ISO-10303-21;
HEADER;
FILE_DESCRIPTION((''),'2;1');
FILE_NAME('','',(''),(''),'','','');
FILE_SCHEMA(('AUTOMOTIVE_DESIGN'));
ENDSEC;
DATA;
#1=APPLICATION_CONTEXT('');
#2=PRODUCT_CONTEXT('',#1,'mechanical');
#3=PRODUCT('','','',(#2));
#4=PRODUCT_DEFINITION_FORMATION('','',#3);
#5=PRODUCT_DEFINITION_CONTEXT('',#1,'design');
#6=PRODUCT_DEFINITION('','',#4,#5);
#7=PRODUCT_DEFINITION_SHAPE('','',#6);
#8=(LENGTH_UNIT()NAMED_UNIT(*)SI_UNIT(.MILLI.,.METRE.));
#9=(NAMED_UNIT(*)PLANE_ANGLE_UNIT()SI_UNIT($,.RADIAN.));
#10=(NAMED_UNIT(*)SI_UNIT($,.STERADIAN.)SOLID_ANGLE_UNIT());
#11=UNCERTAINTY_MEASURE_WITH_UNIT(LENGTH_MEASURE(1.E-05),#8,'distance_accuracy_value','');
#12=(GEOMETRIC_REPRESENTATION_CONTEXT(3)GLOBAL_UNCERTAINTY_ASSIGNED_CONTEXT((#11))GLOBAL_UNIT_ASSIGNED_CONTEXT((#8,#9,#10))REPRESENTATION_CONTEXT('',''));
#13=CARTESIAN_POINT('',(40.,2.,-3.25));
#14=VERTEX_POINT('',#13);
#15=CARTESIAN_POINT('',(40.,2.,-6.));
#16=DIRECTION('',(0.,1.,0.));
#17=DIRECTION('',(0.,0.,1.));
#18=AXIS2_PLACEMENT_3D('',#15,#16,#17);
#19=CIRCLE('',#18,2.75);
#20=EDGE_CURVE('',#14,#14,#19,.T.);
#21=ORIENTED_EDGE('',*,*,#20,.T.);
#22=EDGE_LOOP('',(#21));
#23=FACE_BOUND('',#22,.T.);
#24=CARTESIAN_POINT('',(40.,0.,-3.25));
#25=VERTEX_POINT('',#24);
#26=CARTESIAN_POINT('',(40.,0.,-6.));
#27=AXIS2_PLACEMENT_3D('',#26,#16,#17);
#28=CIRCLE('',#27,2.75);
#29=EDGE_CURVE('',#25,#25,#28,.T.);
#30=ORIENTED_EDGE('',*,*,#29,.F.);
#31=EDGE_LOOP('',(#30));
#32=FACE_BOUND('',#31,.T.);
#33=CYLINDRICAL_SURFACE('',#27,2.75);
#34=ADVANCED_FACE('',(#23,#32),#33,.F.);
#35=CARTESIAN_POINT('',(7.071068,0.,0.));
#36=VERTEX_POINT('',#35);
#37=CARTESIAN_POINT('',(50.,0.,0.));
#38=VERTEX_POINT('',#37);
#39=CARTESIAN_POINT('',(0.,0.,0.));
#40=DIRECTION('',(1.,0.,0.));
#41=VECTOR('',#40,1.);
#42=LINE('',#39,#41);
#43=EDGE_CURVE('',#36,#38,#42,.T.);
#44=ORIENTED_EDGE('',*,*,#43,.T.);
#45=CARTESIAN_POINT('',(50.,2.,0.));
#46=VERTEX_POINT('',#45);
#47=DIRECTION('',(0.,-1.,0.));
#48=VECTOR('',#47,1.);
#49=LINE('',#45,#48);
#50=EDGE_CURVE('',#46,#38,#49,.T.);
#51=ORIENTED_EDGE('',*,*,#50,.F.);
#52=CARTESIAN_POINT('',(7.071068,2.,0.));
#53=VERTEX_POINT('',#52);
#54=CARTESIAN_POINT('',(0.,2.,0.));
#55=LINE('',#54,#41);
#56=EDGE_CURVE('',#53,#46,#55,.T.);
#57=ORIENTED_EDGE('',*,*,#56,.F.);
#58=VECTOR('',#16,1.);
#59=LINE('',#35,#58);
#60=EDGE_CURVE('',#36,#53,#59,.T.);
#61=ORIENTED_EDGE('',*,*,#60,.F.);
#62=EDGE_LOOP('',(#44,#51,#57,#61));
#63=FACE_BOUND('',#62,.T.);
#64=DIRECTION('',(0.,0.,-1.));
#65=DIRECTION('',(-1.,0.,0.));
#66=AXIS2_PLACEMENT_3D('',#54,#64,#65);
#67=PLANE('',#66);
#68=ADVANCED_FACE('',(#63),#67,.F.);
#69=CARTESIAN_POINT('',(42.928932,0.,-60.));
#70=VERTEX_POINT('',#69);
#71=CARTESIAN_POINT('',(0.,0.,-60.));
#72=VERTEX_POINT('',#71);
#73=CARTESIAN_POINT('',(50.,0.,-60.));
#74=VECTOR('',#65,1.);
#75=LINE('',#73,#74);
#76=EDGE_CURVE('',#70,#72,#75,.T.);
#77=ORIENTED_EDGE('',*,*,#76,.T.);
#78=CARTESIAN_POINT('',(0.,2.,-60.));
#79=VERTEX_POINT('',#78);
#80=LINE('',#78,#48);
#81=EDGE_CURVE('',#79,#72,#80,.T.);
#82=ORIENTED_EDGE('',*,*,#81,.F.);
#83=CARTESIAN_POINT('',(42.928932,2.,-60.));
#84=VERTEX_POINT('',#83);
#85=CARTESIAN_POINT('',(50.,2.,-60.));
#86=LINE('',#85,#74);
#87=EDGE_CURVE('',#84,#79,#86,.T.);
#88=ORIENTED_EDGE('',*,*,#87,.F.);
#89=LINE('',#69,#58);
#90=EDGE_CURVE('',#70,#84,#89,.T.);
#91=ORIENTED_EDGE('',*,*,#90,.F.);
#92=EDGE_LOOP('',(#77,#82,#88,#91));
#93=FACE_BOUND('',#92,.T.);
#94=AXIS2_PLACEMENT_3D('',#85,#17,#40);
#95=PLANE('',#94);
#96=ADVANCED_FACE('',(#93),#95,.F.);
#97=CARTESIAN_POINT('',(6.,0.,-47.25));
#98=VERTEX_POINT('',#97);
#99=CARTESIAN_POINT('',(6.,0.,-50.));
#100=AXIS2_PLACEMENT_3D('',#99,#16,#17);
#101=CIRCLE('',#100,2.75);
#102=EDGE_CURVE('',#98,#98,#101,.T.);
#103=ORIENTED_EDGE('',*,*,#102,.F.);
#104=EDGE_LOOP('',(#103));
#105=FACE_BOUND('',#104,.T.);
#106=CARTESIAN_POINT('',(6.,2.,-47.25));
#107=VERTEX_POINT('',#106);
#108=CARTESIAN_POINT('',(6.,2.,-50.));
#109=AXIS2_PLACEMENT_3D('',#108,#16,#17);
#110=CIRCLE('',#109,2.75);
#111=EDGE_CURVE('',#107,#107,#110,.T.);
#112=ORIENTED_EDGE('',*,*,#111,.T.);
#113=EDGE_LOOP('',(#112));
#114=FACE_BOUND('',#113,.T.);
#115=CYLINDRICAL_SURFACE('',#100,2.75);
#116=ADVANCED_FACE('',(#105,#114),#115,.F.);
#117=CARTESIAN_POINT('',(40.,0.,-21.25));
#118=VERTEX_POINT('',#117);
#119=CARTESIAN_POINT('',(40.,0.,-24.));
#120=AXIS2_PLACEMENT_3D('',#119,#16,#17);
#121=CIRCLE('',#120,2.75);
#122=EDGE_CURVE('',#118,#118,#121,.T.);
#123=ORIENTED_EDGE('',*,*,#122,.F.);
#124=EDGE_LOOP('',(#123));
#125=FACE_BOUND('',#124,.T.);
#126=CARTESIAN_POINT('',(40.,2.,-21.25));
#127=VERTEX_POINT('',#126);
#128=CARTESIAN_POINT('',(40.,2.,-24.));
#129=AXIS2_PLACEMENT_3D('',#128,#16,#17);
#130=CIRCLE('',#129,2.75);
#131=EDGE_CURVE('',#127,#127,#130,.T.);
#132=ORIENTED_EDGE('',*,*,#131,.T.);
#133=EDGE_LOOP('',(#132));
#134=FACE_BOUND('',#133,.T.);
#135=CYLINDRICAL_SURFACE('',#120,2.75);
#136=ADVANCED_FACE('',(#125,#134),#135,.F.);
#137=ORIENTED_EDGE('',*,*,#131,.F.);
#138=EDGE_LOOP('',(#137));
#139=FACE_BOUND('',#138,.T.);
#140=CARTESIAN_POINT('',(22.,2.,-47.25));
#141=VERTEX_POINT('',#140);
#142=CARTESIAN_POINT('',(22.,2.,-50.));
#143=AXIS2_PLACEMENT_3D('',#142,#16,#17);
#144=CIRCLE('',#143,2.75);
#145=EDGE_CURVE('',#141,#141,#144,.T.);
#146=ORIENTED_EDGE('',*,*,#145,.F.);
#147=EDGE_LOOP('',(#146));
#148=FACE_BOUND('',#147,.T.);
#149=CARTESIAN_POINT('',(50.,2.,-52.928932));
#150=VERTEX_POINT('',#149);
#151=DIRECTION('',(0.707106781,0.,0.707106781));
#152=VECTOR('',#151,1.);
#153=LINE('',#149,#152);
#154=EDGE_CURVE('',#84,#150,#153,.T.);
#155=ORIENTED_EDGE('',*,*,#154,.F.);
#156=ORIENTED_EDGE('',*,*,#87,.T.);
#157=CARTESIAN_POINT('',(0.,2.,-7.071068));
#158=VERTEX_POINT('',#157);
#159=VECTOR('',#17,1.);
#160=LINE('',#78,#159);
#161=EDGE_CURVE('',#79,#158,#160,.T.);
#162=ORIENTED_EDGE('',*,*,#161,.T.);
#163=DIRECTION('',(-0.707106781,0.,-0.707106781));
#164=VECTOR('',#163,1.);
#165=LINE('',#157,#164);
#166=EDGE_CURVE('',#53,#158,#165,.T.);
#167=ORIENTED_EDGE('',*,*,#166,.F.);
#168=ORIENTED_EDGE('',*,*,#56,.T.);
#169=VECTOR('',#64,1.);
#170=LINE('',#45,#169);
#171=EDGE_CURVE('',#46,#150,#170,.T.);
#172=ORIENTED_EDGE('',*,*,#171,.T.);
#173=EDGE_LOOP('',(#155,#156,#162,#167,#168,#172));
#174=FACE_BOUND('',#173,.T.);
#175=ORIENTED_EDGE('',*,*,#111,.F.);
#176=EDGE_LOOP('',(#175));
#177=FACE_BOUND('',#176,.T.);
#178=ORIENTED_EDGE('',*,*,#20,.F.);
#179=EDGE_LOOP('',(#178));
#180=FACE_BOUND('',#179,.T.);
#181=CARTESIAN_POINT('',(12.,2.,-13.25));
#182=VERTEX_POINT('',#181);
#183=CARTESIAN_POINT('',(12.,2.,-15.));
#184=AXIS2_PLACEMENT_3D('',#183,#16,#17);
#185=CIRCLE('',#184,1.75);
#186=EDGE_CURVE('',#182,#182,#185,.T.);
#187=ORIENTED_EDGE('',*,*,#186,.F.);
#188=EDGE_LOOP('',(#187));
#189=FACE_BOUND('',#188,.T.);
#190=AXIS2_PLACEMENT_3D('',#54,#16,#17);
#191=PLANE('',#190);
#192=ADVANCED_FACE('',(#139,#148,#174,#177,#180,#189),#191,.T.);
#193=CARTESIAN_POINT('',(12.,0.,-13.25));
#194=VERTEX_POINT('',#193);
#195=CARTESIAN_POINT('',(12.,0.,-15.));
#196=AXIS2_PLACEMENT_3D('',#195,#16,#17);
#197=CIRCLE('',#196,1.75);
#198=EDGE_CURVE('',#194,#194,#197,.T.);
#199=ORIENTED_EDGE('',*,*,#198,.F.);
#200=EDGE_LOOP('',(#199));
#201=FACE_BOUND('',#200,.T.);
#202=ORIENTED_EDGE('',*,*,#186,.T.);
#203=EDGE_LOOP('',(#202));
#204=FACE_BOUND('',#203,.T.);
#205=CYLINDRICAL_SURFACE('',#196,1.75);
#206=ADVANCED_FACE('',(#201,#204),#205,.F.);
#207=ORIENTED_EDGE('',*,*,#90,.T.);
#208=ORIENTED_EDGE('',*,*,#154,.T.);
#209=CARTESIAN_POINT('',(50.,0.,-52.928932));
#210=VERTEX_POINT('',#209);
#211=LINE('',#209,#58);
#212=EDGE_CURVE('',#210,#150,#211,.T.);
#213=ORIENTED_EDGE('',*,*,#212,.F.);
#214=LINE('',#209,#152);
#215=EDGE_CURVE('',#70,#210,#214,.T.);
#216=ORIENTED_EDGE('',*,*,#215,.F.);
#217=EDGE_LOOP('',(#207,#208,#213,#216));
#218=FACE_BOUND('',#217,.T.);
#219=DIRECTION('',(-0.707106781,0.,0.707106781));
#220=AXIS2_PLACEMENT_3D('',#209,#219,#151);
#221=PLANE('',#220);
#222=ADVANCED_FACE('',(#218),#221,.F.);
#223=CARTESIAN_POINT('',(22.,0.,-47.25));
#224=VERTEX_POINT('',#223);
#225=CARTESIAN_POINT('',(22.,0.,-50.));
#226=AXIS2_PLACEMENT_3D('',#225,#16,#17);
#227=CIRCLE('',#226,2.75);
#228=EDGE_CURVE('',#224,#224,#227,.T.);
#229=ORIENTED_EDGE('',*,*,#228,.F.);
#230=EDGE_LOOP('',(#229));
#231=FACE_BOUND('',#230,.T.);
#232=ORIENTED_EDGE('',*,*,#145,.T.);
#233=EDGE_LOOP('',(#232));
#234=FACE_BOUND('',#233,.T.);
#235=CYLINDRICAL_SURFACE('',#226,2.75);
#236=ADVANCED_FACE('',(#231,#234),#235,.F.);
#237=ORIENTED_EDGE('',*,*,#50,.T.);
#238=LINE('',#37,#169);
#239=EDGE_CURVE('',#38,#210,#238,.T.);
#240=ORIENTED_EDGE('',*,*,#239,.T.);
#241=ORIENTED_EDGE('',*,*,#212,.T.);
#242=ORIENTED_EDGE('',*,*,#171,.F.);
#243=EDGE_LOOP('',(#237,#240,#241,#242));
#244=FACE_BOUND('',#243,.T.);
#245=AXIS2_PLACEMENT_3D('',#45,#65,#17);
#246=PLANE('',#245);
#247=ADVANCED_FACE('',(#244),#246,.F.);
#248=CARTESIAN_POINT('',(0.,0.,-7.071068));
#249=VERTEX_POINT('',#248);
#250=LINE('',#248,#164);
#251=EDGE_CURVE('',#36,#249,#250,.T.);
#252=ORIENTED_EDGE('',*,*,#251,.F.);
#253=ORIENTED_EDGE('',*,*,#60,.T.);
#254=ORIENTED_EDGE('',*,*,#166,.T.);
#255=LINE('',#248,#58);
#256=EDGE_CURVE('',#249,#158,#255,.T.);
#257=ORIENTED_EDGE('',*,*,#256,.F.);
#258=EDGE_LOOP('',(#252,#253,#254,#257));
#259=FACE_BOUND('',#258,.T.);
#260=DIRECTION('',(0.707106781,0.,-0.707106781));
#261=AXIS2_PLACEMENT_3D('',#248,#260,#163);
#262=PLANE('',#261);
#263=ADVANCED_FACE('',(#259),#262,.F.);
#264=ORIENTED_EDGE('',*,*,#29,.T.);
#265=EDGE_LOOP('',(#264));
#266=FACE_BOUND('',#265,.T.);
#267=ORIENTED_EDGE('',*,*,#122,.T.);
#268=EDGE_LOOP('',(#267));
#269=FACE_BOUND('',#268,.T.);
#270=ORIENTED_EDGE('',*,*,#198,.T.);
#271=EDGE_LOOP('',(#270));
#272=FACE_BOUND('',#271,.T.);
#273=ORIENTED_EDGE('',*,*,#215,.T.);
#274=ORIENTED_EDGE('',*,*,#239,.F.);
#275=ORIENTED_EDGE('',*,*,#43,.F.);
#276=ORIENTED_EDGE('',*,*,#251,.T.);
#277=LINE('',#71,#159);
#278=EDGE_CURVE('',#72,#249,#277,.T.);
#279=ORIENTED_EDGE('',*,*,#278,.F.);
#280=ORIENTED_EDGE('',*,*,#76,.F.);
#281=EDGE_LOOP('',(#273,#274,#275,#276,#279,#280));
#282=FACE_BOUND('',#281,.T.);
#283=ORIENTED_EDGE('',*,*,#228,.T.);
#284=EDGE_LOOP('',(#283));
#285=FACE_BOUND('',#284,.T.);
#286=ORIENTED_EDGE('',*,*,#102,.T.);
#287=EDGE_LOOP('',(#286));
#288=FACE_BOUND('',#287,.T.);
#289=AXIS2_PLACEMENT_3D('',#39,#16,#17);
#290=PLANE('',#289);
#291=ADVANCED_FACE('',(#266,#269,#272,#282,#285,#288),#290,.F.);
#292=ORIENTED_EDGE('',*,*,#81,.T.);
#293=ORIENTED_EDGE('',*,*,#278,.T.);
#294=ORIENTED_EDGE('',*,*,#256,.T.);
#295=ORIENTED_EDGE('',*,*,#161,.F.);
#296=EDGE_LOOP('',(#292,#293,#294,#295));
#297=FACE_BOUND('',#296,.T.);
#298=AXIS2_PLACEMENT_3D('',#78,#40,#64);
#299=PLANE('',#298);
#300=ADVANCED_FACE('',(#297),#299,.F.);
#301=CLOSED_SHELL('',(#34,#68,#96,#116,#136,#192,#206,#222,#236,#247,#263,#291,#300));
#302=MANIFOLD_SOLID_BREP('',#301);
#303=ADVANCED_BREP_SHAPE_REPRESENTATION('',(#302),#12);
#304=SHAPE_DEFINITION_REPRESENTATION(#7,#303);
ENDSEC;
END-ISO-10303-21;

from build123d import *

# Parameters (mm, degrees)
SKETCH_1_W          = 50
SKETCH_1_H          = 60
EXTRUDE_1_DEPTH     = 2
SKETCH_2_R          = 2.75
SKETCH_2_R_2        = 1.75
CUT_EXTRUDE_1_DEPTH = 3


with BuildPart() as part:
    # 草图1 → 凸台-拉伸1 (new body)
    with BuildSketch(Plane(origin=(0, 0, 0), x_dir=(1, 0, 0), z_dir=(0, 1, 0))):
        with Locations((25, 30)):
            Rectangle(SKETCH_1_W, SKETCH_1_H)
    extrude(amount=EXTRUDE_1_DEPTH)

    # 草图2 → 切除-拉伸1 (cut, through all)
    with BuildSketch(Plane(origin=(0, 2, 0), x_dir=(1, 0, 0), z_dir=(0, 1, 0))):
        with Locations((6, 50)):
            Circle(SKETCH_2_R)
        with Locations((40, 6)):
            Circle(SKETCH_2_R)
        with Locations((12, 15)):
            Circle(SKETCH_2_R_2)
        with Locations((40, 24)):
            Circle(SKETCH_2_R)
        with Locations((22, 50)):
            Circle(SKETCH_2_R)
        Polygon((0, 7.071067812), (7.071067812, 0), (0, 0), align=None)
        Polygon((50, 60), (50, 52.928932188), (42.928932188, 60), align=None)
    extrude(amount=-CUT_EXTRUDE_1_DEPTH, mode=Mode.SUBTRACT)


solid = part.part
